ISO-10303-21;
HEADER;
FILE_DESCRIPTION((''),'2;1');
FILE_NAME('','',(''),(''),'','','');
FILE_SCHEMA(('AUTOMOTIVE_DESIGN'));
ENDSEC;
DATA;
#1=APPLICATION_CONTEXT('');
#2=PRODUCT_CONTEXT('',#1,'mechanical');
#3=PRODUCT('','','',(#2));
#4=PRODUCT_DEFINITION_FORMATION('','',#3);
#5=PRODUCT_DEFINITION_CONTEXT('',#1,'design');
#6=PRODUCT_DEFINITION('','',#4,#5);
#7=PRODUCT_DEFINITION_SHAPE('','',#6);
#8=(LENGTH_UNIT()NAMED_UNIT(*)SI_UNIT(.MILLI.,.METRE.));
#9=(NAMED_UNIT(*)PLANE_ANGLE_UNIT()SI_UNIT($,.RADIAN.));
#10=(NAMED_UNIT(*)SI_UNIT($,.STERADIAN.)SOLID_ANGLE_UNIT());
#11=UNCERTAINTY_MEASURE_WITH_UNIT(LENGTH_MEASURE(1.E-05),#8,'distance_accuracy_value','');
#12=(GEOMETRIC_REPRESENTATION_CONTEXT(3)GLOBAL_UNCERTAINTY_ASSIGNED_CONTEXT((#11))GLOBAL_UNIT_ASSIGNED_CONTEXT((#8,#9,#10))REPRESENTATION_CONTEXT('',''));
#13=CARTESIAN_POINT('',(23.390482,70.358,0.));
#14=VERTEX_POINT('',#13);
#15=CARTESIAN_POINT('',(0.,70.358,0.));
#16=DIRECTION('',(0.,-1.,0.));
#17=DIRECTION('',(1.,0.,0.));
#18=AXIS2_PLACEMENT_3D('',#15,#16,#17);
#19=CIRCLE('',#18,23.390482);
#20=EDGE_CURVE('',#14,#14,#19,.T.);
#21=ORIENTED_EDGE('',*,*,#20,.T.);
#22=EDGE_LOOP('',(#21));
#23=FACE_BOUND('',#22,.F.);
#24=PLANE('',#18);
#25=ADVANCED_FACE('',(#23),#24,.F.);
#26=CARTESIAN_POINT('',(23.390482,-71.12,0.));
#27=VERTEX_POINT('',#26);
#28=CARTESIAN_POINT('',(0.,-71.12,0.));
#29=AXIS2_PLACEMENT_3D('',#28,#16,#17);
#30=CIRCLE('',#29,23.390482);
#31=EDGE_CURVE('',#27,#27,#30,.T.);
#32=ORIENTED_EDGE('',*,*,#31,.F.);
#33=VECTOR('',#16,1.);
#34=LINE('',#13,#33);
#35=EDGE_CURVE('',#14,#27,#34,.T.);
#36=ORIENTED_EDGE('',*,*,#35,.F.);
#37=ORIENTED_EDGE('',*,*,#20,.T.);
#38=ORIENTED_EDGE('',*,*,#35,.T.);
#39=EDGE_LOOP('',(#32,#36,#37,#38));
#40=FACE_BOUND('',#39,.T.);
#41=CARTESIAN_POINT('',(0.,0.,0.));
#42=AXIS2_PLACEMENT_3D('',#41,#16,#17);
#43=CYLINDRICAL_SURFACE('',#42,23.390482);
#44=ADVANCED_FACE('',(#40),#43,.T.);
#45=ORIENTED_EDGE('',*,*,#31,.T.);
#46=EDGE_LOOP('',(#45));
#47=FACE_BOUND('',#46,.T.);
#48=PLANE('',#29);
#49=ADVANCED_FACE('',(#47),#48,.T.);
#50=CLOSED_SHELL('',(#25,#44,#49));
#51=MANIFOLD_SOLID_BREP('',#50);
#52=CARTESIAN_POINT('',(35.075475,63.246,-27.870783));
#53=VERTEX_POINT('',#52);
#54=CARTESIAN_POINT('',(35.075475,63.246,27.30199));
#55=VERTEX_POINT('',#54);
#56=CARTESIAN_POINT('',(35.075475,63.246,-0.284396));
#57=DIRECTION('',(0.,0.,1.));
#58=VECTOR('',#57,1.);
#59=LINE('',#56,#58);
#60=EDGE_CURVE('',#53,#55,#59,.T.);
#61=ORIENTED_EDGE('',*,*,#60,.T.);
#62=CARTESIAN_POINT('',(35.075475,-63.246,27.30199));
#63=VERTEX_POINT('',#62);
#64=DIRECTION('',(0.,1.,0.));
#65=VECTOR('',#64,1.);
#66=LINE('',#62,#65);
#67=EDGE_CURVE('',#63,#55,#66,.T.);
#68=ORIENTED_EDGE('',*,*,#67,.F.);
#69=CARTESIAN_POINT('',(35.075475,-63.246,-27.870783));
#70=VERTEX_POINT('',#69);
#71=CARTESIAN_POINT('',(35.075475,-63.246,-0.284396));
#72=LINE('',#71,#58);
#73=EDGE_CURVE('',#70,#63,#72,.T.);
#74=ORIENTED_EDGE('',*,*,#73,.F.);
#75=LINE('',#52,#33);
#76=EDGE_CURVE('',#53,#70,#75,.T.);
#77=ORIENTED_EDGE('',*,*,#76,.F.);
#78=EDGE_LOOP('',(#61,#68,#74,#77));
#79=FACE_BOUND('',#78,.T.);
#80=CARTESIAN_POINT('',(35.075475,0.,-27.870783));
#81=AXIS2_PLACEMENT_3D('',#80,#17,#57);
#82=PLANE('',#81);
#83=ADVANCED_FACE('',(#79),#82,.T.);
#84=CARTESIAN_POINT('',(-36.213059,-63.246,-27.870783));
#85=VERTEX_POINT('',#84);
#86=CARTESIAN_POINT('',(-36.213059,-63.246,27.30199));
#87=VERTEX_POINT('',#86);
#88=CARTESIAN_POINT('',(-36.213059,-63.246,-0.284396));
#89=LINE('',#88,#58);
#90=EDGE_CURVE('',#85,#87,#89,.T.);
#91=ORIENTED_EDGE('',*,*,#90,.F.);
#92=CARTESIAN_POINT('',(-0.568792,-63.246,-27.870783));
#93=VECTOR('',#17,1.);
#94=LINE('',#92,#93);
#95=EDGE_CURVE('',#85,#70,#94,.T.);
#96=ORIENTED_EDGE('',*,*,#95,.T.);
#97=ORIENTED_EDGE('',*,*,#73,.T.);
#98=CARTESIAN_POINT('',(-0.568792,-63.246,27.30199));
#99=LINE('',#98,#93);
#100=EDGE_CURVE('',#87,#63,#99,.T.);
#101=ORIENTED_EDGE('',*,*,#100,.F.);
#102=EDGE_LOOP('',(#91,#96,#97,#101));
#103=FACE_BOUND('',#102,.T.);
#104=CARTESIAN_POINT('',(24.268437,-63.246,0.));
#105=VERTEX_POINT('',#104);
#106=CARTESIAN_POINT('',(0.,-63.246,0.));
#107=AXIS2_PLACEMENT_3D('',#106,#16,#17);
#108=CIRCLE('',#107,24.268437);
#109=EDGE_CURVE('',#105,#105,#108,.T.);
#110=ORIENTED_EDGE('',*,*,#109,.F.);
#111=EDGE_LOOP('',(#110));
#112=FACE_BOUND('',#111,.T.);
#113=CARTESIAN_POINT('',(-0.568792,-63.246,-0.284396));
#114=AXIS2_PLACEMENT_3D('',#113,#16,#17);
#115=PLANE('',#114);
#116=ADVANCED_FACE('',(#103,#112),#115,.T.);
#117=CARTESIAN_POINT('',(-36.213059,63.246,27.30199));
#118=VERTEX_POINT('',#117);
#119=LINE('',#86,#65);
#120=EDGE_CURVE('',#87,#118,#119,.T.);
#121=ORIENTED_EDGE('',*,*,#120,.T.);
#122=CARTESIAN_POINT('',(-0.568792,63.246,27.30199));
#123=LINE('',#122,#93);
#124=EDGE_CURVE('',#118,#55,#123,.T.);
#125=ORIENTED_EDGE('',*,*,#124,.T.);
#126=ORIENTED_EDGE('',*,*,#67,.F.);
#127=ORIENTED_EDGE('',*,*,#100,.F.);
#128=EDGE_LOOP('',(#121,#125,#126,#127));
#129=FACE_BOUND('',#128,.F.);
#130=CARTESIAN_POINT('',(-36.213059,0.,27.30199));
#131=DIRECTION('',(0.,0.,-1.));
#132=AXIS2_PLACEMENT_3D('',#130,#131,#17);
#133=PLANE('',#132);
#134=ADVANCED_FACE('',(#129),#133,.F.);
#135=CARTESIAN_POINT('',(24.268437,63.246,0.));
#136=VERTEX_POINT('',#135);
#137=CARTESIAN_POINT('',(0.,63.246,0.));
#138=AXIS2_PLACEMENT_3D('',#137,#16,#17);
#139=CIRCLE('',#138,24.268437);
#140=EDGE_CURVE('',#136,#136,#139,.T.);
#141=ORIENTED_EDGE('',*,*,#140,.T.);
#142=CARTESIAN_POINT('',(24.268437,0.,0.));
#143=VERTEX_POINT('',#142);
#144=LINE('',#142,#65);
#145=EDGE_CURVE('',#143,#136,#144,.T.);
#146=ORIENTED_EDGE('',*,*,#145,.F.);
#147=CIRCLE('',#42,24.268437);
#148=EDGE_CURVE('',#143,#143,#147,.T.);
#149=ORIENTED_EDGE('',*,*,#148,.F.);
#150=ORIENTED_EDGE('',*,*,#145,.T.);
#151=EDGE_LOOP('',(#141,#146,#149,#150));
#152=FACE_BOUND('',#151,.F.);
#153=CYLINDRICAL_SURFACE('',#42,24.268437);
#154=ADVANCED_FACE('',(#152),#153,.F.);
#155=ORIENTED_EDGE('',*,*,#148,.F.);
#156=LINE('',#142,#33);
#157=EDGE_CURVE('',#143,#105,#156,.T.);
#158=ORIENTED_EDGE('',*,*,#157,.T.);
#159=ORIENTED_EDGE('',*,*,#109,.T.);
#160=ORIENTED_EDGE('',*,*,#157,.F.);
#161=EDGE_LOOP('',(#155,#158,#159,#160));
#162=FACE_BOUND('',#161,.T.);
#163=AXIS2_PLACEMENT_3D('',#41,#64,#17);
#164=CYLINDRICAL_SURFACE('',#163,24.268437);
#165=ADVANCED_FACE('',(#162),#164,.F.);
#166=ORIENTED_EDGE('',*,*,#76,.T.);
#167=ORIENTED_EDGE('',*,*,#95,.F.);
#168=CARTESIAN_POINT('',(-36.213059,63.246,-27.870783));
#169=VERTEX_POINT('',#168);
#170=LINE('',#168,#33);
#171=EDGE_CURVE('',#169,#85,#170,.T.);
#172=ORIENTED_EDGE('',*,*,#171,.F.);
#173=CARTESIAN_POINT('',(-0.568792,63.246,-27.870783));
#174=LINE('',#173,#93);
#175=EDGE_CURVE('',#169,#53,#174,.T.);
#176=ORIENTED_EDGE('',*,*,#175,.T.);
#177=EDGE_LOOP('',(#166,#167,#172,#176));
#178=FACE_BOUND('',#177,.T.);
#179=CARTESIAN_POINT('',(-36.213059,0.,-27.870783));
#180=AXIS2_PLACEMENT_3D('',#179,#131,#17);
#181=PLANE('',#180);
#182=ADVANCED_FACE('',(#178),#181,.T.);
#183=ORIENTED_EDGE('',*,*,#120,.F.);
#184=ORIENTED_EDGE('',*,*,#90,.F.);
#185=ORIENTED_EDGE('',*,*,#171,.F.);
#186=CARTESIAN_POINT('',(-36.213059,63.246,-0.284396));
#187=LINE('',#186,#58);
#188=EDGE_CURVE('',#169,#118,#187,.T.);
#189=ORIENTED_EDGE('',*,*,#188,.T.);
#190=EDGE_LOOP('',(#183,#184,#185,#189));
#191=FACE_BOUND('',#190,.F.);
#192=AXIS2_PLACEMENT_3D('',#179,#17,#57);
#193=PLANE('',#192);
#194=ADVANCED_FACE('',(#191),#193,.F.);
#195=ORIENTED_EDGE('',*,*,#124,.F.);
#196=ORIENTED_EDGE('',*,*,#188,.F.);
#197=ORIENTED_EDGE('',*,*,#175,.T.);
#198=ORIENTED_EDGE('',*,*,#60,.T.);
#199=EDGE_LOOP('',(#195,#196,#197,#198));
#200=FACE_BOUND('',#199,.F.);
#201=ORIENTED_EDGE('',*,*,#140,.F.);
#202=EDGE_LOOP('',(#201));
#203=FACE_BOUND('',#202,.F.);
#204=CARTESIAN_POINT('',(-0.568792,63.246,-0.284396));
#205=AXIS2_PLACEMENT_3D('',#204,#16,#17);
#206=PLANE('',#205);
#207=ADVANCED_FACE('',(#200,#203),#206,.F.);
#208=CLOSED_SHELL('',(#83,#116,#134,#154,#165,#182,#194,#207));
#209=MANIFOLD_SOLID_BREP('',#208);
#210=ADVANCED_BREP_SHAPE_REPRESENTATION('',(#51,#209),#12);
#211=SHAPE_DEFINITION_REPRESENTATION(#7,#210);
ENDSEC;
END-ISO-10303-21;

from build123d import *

# Parameters (mm, degrees)
F0_W          = 71.288534
F0_H          = 55.172773
F0_R          = 24.268437
F1_DEPTH      = 63.246
F1_DEPTH_BACK = 63.246
F2_R          = 23.390482
F3_DEPTH      = 71.12
F3_DEPTH_BACK = 70.358


with BuildPart() as f1:
    # F0 (on Front) → F1 (new body, two sides)
    with BuildSketch(Plane.XZ) as f1_sk:
        with Locations((-0.568792, -0.284396)):
            Rectangle(F0_W, F0_H)
        Circle(F0_R, mode=Mode.SUBTRACT)
    extrude(amount=F1_DEPTH)
    extrude(f1_sk.sketch, amount=-F1_DEPTH_BACK)


with BuildPart() as f3:
    # F2 (on Front) → F3 (new body, two sides)
    with BuildSketch(Plane.XZ) as f3_sk:
        Circle(F2_R)
    extrude(amount=F3_DEPTH)
    extrude(f3_sk.sketch, amount=-F3_DEPTH_BACK)


solid = Compound([f1.part, f3.part])
